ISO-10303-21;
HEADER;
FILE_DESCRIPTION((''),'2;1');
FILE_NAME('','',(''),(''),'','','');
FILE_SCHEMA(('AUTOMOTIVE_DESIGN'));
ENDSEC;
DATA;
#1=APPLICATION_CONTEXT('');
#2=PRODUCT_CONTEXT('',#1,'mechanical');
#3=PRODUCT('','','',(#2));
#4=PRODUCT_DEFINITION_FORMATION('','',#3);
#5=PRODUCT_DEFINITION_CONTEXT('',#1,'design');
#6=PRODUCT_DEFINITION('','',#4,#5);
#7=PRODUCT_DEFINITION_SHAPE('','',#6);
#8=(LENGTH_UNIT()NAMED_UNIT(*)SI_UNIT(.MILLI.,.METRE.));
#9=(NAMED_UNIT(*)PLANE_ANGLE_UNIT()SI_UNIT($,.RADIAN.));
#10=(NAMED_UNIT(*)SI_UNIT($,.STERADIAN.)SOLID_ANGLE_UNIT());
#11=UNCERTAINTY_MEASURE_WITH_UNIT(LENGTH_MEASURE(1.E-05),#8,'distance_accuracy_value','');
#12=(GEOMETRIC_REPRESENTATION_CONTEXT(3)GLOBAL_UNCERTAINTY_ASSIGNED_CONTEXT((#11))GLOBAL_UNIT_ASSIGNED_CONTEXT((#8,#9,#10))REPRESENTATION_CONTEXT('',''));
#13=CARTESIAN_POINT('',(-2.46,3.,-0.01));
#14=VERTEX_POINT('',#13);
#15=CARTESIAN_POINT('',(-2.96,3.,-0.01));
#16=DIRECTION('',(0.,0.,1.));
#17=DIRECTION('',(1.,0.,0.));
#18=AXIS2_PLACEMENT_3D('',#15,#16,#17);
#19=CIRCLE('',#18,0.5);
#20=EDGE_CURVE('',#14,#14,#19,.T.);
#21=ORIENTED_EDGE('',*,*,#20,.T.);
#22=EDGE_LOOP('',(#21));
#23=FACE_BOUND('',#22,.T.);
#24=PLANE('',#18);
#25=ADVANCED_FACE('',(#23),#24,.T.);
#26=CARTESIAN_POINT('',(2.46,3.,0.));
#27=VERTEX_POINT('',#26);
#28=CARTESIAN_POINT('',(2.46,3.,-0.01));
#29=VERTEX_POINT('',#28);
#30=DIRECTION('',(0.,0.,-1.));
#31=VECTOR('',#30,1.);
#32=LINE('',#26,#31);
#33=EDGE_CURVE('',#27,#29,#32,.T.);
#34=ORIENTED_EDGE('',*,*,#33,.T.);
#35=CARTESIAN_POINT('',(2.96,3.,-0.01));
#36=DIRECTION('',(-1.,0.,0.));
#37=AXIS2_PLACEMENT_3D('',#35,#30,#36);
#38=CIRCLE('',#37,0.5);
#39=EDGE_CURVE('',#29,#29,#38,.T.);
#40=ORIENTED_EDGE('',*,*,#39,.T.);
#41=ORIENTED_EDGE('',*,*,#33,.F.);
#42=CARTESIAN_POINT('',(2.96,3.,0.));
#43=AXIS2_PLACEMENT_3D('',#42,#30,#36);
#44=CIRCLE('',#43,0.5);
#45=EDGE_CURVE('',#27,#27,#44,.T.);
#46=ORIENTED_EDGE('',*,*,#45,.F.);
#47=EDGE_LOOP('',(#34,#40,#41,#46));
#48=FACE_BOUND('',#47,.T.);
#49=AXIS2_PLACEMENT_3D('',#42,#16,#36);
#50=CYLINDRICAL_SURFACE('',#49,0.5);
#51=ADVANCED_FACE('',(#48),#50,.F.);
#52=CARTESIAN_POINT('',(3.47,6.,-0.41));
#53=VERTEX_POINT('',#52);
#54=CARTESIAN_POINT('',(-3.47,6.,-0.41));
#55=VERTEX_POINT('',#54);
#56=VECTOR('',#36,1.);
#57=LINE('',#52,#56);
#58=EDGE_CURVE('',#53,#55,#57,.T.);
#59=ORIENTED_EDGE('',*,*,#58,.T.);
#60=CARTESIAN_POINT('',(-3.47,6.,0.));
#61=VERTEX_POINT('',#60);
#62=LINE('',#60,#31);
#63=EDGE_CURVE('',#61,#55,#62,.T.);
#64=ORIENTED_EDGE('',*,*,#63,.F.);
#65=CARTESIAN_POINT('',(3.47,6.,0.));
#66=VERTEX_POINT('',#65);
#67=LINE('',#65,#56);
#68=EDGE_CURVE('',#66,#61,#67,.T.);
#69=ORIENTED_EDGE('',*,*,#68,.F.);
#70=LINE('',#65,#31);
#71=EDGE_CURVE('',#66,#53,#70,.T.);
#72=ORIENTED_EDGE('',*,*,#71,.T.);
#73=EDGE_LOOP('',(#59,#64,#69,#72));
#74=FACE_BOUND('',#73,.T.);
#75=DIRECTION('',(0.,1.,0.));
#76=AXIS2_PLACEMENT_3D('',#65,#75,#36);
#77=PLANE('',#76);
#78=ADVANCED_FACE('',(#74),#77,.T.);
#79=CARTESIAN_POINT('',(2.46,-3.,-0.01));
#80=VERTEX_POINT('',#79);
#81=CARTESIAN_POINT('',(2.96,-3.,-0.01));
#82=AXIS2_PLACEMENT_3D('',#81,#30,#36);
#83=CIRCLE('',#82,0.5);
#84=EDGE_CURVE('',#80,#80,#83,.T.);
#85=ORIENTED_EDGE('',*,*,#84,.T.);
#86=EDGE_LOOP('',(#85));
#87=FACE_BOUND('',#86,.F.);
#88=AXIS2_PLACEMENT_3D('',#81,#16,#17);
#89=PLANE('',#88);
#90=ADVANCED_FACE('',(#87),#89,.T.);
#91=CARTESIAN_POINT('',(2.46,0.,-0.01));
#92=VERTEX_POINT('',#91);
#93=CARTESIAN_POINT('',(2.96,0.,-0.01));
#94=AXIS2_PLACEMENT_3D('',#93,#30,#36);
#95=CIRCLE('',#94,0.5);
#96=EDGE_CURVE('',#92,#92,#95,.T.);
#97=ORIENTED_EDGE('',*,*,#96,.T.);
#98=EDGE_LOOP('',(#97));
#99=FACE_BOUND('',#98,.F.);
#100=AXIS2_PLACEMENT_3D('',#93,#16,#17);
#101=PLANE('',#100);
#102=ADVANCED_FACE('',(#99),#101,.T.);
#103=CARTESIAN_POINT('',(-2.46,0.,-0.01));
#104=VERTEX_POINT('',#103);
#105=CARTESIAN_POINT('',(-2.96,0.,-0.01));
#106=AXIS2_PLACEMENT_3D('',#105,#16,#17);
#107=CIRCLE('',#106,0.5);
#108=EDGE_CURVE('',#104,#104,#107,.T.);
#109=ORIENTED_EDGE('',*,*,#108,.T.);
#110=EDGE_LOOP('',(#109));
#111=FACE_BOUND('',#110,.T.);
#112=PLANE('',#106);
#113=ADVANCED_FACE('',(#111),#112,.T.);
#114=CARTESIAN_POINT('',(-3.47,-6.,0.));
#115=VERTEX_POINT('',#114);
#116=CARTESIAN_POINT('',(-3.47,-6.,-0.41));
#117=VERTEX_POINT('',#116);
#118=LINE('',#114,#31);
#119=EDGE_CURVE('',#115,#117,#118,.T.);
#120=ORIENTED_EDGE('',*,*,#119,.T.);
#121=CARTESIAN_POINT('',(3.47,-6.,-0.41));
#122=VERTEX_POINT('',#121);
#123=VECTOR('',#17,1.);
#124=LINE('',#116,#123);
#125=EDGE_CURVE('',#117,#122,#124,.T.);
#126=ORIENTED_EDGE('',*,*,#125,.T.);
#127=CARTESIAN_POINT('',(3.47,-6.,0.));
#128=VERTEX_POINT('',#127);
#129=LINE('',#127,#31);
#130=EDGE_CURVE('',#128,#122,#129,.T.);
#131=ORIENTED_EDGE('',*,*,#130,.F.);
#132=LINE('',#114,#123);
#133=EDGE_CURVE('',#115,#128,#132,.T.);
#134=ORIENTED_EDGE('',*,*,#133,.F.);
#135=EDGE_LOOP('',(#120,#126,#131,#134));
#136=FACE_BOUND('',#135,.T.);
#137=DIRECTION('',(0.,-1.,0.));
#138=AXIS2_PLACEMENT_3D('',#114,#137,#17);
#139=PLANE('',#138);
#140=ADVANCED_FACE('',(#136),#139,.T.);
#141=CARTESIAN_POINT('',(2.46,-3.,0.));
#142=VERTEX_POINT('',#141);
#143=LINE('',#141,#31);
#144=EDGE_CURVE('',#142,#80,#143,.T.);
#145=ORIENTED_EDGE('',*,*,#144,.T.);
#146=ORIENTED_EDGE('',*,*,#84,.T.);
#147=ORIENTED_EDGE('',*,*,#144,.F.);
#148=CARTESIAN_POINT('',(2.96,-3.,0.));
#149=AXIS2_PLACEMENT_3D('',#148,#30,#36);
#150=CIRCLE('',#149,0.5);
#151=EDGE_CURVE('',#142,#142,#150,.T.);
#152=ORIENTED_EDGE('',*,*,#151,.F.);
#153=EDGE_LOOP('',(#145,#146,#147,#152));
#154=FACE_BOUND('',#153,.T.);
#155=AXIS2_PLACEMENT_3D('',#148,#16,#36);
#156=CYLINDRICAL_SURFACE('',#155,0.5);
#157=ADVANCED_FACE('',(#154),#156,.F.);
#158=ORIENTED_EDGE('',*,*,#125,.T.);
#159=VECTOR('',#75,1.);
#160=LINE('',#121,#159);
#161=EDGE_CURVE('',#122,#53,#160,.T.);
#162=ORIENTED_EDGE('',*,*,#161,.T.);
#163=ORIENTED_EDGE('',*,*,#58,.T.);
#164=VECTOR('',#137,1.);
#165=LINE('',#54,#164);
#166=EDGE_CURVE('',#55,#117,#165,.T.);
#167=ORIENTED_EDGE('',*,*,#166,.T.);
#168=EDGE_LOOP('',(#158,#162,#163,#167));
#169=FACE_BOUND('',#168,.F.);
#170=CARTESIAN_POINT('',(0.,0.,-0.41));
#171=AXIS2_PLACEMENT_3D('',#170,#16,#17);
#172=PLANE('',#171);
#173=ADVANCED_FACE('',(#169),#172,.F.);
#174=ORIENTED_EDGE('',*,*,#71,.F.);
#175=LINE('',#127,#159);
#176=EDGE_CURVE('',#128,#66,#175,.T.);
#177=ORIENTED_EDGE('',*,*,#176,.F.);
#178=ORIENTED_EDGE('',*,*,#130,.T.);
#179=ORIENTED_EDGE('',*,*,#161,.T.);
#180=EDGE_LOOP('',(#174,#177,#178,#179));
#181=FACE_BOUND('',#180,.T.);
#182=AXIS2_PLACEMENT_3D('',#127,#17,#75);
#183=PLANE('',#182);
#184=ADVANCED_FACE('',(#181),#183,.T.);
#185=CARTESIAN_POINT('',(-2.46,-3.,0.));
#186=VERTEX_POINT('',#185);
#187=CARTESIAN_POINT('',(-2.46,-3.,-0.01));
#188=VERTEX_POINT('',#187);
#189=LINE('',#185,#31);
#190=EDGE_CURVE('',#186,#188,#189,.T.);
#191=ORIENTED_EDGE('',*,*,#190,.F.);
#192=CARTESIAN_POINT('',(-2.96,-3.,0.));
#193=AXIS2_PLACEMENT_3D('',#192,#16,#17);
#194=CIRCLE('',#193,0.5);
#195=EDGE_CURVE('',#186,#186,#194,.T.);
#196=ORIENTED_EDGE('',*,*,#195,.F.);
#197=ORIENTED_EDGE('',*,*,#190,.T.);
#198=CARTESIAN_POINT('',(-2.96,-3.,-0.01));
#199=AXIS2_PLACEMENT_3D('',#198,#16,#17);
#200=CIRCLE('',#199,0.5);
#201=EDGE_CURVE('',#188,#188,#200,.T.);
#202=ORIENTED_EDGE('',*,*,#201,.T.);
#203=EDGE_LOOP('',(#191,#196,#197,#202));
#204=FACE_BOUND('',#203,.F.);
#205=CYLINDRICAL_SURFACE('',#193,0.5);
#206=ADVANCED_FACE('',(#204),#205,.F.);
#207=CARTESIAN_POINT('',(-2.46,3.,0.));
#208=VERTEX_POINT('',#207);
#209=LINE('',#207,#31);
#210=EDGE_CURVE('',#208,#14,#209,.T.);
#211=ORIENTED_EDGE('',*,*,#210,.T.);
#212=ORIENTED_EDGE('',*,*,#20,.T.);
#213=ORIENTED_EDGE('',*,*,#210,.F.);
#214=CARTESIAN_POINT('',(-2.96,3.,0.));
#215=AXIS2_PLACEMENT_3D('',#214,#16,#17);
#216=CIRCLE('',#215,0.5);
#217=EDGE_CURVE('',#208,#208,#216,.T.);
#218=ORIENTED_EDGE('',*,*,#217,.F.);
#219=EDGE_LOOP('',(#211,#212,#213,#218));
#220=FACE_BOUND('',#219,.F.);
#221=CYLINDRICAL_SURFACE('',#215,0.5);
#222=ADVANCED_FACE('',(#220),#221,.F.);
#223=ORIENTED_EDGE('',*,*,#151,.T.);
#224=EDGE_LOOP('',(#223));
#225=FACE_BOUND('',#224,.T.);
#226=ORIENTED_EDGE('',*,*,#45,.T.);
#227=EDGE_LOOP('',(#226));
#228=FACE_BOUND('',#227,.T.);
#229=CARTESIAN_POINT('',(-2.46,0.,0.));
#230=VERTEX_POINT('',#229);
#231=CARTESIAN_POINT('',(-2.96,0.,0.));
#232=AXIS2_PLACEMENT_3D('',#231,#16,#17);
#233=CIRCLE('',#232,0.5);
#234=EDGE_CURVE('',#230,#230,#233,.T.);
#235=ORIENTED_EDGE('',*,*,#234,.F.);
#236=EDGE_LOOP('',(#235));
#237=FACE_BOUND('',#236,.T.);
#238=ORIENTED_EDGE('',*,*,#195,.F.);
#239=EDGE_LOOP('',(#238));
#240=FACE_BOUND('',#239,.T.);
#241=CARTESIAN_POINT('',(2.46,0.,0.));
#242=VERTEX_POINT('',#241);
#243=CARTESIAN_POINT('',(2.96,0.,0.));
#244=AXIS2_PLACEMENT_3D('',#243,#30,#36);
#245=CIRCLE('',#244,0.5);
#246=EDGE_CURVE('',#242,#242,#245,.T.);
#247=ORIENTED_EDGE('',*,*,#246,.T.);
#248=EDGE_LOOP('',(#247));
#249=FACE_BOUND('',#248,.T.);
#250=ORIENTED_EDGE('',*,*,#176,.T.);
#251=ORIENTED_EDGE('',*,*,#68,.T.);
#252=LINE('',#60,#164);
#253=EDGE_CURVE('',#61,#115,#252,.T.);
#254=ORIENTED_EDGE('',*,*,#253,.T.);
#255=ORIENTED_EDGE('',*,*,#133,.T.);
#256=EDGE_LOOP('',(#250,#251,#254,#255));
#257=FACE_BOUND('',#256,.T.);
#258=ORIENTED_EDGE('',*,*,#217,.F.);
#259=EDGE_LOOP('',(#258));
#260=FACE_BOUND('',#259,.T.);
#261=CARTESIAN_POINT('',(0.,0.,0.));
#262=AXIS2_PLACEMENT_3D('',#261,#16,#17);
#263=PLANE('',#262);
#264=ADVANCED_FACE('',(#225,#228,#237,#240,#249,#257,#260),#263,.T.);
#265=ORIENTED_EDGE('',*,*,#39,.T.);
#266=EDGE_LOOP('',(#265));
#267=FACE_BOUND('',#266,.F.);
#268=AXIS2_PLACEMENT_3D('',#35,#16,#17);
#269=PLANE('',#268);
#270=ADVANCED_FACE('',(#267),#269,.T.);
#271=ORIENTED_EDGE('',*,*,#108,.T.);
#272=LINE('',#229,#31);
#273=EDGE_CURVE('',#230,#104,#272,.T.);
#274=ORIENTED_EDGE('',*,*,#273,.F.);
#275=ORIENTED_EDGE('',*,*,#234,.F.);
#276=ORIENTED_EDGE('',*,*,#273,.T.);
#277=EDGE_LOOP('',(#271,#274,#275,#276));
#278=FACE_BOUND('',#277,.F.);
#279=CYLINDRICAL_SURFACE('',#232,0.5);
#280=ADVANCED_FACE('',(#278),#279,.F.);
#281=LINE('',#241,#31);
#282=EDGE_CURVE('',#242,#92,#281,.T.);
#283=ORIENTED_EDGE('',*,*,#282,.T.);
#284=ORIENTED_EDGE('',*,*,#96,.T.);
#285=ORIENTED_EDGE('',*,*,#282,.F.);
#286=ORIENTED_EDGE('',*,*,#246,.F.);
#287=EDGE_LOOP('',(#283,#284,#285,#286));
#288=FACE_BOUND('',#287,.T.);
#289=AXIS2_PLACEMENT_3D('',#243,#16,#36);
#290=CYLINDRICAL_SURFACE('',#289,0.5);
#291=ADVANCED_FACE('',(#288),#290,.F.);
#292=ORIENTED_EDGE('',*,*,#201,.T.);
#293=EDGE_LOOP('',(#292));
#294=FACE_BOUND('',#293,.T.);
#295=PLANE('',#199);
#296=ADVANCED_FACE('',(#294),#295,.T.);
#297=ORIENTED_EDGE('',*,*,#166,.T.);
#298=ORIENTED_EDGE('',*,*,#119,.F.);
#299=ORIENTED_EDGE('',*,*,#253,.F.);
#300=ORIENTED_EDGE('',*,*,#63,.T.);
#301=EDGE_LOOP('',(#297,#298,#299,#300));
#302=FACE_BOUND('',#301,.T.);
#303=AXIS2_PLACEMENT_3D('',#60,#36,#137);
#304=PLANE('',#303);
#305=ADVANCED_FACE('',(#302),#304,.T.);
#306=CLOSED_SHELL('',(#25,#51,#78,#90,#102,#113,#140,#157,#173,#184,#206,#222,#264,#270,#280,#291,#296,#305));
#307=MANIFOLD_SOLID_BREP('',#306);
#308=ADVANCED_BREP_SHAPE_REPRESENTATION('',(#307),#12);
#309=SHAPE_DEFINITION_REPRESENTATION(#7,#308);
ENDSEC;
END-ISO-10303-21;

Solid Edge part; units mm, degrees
sketch "Sketch1" plane through (0, 0, 0) normal (0, 0, 1) x (1, 0, 0)
  line L0 (-3.47, -6) -> (3.47, -6)
  line L1 (3.47, -6) -> (3.47, 6)
  line L2 (3.47, 6) -> (-3.47, 6)
  line L3 (-3.47, 6) -> (-3.47, -6)
  dimension "D1" = 6.94
  dimension "D2" = 12
extrude "Protrusion1" add sketch "Sketch1" against normal blind 0.41
sketch "Sketch2" plane through (0, 0, 0) normal (0, 0, 1) x (1, 0, 0)
  circle A0 centre (-2.96, 3) radius 0.5
  circle A1 centre (-2.96, 0) radius 0.5
  circle A2 centre (-2.96, -3) radius 0.5
  dimension "D1" = 6
  dimension "D2" = 1
  dimension "D3" = 1
  dimension "D4" = 1
  dimension "D5" = 0.51
  dimension "D6" = 3
  dimension "D7" = 3
extrude "Extrusionsausschnitt_1" cut sketch "Sketch2" against normal blind 0.01
mirror "Mirror1" about plane through (0, 0, 0) normal (1, 0, 0) of "Extrusionsausschnitt_1"
